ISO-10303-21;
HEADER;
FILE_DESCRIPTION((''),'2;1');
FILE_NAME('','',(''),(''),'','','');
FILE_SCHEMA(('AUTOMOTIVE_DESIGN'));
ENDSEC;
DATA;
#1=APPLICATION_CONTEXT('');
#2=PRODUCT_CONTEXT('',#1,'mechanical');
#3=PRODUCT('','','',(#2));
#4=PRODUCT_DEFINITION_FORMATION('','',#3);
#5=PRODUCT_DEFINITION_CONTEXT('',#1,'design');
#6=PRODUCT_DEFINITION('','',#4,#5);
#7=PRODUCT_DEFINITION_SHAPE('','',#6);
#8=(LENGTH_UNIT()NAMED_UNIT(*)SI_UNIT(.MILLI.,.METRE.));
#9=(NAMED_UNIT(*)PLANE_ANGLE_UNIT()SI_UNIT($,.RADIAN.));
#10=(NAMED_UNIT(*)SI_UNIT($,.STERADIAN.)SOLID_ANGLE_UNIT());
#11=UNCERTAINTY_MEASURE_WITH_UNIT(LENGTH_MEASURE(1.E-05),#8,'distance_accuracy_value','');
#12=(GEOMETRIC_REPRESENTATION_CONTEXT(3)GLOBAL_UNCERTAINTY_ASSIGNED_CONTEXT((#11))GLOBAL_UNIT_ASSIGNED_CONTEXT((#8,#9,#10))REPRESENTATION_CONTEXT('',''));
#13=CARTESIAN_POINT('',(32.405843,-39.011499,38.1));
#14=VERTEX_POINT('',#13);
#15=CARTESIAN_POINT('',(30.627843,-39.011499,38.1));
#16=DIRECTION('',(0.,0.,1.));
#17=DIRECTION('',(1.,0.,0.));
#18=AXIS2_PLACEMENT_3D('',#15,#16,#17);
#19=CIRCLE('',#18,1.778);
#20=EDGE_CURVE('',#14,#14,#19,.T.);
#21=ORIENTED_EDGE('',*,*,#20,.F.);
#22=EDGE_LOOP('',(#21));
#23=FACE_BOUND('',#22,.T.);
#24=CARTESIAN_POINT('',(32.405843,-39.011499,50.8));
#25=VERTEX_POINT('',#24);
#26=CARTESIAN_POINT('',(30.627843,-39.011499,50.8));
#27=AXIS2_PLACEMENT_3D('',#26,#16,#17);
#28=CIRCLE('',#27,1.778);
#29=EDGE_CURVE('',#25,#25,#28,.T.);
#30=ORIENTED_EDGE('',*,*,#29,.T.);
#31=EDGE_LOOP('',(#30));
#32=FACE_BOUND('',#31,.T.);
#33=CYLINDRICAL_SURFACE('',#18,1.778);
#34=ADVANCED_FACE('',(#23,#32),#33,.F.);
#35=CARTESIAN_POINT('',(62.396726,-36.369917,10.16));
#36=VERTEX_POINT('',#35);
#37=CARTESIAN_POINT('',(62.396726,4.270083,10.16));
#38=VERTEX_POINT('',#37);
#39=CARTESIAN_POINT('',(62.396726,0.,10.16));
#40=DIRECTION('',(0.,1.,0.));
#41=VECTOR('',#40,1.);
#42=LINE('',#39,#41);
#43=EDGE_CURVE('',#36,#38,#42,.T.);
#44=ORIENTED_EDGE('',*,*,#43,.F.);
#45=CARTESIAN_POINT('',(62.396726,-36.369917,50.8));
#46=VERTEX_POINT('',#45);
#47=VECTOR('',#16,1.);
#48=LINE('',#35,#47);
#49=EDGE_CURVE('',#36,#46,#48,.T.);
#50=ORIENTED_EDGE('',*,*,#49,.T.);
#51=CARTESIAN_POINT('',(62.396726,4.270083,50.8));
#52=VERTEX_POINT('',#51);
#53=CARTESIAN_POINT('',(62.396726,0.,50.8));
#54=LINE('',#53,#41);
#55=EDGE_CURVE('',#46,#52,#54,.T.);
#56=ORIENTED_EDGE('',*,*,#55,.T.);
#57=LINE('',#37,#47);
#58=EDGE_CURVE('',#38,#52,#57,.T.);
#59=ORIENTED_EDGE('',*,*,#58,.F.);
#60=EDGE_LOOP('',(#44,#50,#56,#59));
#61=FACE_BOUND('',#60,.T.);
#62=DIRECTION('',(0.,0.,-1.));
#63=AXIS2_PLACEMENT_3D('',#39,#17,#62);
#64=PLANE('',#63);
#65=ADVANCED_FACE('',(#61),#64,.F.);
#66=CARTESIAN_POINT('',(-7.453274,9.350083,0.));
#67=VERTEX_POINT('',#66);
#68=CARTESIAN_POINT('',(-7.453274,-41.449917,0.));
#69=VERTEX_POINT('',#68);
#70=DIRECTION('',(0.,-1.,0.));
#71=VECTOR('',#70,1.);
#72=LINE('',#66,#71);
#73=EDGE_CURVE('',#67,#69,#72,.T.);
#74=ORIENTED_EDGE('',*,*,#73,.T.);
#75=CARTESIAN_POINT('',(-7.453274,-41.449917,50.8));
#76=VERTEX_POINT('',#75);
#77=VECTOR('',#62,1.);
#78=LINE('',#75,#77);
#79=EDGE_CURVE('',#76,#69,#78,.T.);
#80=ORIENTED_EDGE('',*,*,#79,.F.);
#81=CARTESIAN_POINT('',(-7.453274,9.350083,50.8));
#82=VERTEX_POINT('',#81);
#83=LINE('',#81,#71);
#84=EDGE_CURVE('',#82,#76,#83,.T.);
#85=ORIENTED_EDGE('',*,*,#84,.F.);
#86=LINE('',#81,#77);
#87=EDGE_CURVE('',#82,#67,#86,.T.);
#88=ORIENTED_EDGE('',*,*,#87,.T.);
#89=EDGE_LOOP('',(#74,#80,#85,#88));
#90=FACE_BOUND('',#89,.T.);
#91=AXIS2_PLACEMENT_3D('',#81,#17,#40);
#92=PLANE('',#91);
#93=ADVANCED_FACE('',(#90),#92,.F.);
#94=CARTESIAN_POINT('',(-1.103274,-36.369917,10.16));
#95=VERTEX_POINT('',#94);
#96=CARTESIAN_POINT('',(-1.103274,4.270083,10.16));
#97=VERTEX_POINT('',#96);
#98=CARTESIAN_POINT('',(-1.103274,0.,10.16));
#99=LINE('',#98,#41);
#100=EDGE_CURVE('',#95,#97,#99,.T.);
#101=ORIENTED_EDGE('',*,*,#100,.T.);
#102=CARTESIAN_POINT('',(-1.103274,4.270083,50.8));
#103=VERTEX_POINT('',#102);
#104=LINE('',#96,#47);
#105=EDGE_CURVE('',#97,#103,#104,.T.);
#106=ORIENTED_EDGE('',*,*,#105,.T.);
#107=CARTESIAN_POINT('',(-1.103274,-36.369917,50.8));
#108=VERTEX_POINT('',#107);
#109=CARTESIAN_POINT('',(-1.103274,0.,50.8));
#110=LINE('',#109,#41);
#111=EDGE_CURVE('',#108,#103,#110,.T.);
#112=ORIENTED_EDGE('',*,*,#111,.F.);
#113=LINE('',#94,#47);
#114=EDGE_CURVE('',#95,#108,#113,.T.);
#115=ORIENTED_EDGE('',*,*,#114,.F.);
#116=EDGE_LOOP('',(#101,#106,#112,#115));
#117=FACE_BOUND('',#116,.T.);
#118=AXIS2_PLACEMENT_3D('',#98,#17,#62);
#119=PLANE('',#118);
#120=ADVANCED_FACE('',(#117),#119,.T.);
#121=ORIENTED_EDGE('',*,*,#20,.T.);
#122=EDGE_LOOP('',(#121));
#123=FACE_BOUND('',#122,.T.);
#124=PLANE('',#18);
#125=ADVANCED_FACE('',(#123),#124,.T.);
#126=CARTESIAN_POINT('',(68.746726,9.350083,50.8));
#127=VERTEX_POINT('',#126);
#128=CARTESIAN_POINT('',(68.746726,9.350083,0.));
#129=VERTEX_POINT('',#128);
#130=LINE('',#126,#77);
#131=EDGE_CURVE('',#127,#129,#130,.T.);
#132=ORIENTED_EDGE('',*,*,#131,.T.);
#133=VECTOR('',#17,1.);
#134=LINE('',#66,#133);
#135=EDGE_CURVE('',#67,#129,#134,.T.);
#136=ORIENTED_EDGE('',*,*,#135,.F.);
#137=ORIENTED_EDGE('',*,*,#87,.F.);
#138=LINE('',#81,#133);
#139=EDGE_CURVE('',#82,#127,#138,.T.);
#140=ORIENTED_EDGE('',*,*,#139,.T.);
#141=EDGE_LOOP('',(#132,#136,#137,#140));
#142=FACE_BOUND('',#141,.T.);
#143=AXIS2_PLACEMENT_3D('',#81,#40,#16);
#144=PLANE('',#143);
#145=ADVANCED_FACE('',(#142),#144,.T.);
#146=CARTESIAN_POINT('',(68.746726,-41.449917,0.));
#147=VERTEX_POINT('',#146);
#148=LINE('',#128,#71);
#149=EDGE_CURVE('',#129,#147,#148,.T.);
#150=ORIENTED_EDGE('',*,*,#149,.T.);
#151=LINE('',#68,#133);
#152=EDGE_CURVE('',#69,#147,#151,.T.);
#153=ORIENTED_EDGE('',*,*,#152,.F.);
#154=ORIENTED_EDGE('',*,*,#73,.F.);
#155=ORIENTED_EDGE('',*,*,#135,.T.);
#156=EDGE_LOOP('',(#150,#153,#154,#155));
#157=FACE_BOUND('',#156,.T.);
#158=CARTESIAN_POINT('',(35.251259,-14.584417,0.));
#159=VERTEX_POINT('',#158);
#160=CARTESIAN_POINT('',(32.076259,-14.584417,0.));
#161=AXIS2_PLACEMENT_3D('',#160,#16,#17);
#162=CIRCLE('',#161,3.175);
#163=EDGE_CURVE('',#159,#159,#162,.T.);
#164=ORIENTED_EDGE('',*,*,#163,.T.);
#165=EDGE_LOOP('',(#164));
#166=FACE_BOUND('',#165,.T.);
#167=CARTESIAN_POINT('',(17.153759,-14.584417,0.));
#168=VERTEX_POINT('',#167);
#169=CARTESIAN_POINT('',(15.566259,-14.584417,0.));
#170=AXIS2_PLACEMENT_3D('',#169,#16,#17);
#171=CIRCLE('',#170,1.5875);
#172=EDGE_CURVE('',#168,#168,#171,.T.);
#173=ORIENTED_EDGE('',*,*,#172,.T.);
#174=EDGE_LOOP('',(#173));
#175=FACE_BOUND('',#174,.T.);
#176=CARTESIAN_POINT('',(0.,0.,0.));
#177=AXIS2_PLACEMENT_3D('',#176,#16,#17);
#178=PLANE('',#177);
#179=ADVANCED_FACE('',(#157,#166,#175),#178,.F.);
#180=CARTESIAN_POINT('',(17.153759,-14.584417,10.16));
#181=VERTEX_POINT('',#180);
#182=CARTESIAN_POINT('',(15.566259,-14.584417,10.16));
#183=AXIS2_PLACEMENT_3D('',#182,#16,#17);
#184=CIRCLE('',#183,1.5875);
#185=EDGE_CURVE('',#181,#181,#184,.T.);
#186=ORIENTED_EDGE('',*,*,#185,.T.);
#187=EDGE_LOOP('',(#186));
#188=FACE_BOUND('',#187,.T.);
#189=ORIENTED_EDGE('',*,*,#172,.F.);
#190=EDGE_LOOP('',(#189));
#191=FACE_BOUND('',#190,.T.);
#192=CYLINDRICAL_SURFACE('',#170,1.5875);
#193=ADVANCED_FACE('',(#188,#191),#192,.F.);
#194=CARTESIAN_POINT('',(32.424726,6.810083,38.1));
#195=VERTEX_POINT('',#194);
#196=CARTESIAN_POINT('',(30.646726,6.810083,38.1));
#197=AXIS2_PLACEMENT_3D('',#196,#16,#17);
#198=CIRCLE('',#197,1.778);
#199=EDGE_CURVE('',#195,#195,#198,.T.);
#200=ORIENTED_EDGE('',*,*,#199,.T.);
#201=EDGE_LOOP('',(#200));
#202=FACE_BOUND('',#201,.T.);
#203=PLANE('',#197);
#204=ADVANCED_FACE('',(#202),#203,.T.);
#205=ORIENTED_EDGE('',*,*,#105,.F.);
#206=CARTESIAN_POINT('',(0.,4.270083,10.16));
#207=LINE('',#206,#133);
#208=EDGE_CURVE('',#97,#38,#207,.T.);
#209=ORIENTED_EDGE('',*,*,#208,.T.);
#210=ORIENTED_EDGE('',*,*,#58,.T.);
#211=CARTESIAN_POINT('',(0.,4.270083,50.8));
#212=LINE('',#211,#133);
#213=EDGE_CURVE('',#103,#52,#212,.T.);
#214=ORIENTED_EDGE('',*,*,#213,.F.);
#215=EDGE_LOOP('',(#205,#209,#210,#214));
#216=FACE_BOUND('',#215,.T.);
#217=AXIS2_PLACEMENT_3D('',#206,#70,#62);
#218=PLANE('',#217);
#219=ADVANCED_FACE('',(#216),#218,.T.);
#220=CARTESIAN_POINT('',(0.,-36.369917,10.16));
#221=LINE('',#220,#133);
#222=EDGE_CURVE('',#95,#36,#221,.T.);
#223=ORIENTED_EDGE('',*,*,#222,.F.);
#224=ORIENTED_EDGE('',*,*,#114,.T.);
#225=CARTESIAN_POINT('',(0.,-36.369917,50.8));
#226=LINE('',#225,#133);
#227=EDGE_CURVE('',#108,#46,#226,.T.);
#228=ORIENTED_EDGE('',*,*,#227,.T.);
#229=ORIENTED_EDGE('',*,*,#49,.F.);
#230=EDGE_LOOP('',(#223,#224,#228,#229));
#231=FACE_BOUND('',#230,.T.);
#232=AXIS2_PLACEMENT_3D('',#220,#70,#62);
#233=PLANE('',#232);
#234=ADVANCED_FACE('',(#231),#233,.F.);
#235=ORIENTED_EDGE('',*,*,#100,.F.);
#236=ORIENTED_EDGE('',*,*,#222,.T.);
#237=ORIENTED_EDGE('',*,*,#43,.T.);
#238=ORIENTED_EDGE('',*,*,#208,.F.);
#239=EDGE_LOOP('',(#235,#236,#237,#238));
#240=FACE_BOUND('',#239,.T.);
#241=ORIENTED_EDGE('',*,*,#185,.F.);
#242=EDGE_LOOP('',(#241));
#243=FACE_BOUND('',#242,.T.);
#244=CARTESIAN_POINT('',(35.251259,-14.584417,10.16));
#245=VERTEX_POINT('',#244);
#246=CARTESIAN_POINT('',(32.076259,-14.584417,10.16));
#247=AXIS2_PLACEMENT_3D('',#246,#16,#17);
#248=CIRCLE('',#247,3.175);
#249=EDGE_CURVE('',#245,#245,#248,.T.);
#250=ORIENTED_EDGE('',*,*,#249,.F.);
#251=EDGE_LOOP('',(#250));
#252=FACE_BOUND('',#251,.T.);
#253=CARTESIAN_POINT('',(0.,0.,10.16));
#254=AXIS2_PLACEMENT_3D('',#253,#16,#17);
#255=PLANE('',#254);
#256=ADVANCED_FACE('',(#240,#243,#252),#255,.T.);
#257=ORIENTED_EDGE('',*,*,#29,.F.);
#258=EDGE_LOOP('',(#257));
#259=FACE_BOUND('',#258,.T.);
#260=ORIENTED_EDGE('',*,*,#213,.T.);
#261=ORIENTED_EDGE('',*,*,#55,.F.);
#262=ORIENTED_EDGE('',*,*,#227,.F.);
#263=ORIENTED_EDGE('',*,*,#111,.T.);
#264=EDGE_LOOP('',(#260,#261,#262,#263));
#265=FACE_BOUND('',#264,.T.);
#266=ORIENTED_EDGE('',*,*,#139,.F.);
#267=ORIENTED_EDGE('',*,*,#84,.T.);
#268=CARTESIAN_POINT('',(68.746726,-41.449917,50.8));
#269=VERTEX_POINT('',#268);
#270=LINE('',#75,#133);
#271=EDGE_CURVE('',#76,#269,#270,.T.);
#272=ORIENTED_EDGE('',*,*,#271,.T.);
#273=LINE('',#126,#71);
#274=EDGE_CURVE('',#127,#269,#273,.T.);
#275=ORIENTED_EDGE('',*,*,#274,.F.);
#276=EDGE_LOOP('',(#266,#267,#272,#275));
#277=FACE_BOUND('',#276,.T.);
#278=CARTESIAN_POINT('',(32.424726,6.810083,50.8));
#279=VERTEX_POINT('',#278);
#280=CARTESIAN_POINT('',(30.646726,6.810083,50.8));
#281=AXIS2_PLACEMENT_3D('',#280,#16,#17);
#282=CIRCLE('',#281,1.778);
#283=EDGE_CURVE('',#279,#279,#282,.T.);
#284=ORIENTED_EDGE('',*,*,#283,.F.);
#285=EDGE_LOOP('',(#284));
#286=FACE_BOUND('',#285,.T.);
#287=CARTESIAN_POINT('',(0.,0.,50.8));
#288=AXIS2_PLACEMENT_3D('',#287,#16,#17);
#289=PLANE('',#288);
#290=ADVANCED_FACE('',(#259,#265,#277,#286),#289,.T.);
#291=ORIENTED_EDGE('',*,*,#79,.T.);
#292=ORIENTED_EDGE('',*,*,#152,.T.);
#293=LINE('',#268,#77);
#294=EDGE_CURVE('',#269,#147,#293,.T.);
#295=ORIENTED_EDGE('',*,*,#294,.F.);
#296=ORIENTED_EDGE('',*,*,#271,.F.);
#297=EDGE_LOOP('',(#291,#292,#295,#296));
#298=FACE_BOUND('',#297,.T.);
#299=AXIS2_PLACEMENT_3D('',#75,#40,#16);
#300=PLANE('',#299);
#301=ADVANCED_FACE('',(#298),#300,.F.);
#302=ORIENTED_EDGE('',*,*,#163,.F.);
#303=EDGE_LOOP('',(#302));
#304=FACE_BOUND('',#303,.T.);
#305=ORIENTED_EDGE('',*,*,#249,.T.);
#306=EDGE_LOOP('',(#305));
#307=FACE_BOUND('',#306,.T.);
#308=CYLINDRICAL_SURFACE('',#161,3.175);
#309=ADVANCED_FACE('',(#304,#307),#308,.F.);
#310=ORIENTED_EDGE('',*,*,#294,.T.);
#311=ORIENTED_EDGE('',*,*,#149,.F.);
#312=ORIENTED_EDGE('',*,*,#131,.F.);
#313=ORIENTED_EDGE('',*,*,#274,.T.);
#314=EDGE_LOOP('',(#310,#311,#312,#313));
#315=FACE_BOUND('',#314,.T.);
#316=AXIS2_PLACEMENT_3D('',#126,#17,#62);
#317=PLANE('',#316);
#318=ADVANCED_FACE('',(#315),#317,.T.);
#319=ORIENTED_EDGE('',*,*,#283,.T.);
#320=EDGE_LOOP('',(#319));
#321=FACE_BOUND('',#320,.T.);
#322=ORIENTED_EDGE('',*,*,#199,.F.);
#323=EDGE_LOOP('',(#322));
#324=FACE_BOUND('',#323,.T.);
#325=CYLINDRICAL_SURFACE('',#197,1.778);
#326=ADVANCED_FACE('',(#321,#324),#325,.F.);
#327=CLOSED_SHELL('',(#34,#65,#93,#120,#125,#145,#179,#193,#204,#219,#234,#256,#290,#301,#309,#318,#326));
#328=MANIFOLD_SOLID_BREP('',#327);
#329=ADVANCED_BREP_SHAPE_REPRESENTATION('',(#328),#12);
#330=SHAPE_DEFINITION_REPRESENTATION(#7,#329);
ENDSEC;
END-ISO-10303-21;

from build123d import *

# Parameters (mm, degrees)
SKETCH9_W           = 76.2
SKETCH9_H           = 50.8
BOSS_EXTRUDE2_DEPTH = 50.8
SKETCH10_W          = 63.5
SKETCH10_H          = 20.32
CUT_EXTRUDE3_DEPTH  = 40.64
SKETCH11_R          = 1.5875
SKETCH11_R_2        = 3.175
CUT_EXTRUDE4_DEPTH  = 90.976761381
SKETCH12_R          = 1.778
CUT_EXTRUDE5_DEPTH  = 12.7
SKETCH19_R          = 1.778
CUT_EXTRUDE9_DEPTH  = 12.7


with BuildPart() as part:
    # Sketch9 → Boss-Extrude2 (new body)
    with BuildSketch(Plane.XY):
        with Locations((30.646725964, -16.049917464)):
            Rectangle(SKETCH9_W, SKETCH9_H)
    extrude(amount=BOSS_EXTRUDE2_DEPTH)

    # Sketch10 → Cut-Extrude3 (cut)
    with BuildSketch(Plane.XY.offset(50.8)):
        with Locations((30.646725964, -5.889917464)):
            Rectangle(SKETCH10_W, SKETCH10_H)
        with Locations((30.646725964, -26.209917464)):
            Rectangle(SKETCH10_W, SKETCH10_H)
    extrude(amount=-CUT_EXTRUDE3_DEPTH, mode=Mode.SUBTRACT)

    # Sketch11 → Cut-Extrude4 (cut, through all)
    with BuildSketch(Plane.XY.offset(10.16)):
        with Locations((15.566258562, -14.584417496)):
            Circle(SKETCH11_R)
        with Locations((32.076258562, -14.584417496)):
            Circle(SKETCH11_R_2)
    extrude(amount=-CUT_EXTRUDE4_DEPTH, mode=Mode.SUBTRACT)

    # Sketch12 → Cut-Extrude5 (cut)
    with BuildSketch(Plane.XY.offset(50.8)):
        with Locations((30.646725964, 6.810082536)):
            Circle(SKETCH12_R)
    extrude(amount=-CUT_EXTRUDE5_DEPTH, mode=Mode.SUBTRACT)

    # Sketch19 → Cut-Extrude9 (cut)
    with BuildSketch(Plane.XY.offset(50.8)):
        with Locations((30.627843478, -39.011499114)):
            Circle(SKETCH19_R)
    extrude(amount=-CUT_EXTRUDE9_DEPTH, mode=Mode.SUBTRACT)


solid = part.part
